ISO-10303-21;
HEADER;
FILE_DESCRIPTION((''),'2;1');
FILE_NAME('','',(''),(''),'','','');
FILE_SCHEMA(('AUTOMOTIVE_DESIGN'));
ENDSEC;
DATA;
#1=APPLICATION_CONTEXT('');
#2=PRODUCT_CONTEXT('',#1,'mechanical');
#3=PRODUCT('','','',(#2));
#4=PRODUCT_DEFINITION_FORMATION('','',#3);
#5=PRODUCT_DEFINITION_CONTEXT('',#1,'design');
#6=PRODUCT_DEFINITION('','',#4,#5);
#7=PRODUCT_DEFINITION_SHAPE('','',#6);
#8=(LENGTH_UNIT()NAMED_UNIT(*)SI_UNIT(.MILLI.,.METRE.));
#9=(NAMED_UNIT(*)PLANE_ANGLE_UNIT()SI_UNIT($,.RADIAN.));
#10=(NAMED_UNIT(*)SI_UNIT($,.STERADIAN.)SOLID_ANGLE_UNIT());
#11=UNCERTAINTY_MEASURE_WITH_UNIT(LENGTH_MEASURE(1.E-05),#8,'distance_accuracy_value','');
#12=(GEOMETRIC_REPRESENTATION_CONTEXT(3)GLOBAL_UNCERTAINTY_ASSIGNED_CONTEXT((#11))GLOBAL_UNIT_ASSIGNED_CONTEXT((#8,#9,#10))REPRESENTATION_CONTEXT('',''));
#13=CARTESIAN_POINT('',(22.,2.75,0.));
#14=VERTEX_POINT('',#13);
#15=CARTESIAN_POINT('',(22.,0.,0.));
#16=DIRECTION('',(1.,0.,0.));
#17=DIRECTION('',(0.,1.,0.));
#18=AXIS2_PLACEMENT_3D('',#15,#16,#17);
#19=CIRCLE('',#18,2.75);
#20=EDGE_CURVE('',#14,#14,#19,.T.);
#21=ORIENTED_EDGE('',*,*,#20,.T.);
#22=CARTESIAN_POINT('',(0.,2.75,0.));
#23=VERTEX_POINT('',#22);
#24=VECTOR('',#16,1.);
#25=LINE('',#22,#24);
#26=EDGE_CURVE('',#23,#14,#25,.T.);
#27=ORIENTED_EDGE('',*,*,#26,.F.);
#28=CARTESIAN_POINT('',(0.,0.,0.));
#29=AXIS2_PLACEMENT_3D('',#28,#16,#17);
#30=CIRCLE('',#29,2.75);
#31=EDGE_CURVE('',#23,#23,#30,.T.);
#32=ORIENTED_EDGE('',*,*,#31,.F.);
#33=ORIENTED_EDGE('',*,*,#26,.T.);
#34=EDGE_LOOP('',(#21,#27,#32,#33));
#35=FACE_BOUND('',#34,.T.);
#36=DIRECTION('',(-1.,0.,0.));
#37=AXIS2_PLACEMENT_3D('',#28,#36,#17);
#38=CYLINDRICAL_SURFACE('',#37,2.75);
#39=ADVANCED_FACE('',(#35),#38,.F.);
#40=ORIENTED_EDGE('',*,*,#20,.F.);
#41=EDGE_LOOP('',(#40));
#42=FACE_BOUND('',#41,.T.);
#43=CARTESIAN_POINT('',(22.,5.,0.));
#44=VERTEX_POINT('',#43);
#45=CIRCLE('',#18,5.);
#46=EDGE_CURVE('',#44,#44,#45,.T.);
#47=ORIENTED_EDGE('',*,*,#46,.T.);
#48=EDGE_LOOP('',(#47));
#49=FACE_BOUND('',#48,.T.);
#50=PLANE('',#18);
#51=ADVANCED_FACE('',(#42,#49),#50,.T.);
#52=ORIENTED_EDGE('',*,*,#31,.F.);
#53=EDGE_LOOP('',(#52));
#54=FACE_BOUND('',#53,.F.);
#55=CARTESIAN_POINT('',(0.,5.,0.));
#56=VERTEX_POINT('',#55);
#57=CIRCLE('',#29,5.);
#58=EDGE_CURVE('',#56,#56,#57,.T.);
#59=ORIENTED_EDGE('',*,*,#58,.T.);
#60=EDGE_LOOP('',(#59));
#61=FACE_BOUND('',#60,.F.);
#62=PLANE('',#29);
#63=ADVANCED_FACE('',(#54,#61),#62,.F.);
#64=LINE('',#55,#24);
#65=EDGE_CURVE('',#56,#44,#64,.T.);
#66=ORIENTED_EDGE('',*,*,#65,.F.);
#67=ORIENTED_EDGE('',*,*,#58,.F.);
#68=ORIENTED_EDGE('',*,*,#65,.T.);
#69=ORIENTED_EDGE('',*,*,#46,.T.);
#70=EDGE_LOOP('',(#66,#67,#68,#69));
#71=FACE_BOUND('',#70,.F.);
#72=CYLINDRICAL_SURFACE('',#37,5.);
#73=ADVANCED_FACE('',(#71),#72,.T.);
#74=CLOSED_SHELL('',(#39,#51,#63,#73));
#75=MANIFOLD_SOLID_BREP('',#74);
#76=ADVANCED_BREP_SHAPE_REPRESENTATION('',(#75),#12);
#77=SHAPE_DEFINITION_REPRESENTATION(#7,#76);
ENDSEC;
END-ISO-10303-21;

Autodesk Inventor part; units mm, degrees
ref_plane "YZ Plane" through (0, 0, 0) normal (1, 0, 0) x (0, 1, 0)
ref_plane "XZ Plane" through (0, 0, 0) normal (0, 1, 0) x (-1, 0, 0)
ref_plane "XY Plane" through (0, 0, 0) normal (0, 0, 1) x (1, 0, 0)
sketch "Sketch1" plane through (0, 0, 0) normal (1, 0, 0) x (0, 1, 0)
  circle A0 centre (0, 0) radius 2.75
  circle A1 centre (0, 0) radius 5
  dimension "d0" = 5.5
  dimension "d1" = 10
extrude "Extrusion1" add sketch "Sketch1" along normal blind 22
properties part number "Spacer_5mm_22mm"
